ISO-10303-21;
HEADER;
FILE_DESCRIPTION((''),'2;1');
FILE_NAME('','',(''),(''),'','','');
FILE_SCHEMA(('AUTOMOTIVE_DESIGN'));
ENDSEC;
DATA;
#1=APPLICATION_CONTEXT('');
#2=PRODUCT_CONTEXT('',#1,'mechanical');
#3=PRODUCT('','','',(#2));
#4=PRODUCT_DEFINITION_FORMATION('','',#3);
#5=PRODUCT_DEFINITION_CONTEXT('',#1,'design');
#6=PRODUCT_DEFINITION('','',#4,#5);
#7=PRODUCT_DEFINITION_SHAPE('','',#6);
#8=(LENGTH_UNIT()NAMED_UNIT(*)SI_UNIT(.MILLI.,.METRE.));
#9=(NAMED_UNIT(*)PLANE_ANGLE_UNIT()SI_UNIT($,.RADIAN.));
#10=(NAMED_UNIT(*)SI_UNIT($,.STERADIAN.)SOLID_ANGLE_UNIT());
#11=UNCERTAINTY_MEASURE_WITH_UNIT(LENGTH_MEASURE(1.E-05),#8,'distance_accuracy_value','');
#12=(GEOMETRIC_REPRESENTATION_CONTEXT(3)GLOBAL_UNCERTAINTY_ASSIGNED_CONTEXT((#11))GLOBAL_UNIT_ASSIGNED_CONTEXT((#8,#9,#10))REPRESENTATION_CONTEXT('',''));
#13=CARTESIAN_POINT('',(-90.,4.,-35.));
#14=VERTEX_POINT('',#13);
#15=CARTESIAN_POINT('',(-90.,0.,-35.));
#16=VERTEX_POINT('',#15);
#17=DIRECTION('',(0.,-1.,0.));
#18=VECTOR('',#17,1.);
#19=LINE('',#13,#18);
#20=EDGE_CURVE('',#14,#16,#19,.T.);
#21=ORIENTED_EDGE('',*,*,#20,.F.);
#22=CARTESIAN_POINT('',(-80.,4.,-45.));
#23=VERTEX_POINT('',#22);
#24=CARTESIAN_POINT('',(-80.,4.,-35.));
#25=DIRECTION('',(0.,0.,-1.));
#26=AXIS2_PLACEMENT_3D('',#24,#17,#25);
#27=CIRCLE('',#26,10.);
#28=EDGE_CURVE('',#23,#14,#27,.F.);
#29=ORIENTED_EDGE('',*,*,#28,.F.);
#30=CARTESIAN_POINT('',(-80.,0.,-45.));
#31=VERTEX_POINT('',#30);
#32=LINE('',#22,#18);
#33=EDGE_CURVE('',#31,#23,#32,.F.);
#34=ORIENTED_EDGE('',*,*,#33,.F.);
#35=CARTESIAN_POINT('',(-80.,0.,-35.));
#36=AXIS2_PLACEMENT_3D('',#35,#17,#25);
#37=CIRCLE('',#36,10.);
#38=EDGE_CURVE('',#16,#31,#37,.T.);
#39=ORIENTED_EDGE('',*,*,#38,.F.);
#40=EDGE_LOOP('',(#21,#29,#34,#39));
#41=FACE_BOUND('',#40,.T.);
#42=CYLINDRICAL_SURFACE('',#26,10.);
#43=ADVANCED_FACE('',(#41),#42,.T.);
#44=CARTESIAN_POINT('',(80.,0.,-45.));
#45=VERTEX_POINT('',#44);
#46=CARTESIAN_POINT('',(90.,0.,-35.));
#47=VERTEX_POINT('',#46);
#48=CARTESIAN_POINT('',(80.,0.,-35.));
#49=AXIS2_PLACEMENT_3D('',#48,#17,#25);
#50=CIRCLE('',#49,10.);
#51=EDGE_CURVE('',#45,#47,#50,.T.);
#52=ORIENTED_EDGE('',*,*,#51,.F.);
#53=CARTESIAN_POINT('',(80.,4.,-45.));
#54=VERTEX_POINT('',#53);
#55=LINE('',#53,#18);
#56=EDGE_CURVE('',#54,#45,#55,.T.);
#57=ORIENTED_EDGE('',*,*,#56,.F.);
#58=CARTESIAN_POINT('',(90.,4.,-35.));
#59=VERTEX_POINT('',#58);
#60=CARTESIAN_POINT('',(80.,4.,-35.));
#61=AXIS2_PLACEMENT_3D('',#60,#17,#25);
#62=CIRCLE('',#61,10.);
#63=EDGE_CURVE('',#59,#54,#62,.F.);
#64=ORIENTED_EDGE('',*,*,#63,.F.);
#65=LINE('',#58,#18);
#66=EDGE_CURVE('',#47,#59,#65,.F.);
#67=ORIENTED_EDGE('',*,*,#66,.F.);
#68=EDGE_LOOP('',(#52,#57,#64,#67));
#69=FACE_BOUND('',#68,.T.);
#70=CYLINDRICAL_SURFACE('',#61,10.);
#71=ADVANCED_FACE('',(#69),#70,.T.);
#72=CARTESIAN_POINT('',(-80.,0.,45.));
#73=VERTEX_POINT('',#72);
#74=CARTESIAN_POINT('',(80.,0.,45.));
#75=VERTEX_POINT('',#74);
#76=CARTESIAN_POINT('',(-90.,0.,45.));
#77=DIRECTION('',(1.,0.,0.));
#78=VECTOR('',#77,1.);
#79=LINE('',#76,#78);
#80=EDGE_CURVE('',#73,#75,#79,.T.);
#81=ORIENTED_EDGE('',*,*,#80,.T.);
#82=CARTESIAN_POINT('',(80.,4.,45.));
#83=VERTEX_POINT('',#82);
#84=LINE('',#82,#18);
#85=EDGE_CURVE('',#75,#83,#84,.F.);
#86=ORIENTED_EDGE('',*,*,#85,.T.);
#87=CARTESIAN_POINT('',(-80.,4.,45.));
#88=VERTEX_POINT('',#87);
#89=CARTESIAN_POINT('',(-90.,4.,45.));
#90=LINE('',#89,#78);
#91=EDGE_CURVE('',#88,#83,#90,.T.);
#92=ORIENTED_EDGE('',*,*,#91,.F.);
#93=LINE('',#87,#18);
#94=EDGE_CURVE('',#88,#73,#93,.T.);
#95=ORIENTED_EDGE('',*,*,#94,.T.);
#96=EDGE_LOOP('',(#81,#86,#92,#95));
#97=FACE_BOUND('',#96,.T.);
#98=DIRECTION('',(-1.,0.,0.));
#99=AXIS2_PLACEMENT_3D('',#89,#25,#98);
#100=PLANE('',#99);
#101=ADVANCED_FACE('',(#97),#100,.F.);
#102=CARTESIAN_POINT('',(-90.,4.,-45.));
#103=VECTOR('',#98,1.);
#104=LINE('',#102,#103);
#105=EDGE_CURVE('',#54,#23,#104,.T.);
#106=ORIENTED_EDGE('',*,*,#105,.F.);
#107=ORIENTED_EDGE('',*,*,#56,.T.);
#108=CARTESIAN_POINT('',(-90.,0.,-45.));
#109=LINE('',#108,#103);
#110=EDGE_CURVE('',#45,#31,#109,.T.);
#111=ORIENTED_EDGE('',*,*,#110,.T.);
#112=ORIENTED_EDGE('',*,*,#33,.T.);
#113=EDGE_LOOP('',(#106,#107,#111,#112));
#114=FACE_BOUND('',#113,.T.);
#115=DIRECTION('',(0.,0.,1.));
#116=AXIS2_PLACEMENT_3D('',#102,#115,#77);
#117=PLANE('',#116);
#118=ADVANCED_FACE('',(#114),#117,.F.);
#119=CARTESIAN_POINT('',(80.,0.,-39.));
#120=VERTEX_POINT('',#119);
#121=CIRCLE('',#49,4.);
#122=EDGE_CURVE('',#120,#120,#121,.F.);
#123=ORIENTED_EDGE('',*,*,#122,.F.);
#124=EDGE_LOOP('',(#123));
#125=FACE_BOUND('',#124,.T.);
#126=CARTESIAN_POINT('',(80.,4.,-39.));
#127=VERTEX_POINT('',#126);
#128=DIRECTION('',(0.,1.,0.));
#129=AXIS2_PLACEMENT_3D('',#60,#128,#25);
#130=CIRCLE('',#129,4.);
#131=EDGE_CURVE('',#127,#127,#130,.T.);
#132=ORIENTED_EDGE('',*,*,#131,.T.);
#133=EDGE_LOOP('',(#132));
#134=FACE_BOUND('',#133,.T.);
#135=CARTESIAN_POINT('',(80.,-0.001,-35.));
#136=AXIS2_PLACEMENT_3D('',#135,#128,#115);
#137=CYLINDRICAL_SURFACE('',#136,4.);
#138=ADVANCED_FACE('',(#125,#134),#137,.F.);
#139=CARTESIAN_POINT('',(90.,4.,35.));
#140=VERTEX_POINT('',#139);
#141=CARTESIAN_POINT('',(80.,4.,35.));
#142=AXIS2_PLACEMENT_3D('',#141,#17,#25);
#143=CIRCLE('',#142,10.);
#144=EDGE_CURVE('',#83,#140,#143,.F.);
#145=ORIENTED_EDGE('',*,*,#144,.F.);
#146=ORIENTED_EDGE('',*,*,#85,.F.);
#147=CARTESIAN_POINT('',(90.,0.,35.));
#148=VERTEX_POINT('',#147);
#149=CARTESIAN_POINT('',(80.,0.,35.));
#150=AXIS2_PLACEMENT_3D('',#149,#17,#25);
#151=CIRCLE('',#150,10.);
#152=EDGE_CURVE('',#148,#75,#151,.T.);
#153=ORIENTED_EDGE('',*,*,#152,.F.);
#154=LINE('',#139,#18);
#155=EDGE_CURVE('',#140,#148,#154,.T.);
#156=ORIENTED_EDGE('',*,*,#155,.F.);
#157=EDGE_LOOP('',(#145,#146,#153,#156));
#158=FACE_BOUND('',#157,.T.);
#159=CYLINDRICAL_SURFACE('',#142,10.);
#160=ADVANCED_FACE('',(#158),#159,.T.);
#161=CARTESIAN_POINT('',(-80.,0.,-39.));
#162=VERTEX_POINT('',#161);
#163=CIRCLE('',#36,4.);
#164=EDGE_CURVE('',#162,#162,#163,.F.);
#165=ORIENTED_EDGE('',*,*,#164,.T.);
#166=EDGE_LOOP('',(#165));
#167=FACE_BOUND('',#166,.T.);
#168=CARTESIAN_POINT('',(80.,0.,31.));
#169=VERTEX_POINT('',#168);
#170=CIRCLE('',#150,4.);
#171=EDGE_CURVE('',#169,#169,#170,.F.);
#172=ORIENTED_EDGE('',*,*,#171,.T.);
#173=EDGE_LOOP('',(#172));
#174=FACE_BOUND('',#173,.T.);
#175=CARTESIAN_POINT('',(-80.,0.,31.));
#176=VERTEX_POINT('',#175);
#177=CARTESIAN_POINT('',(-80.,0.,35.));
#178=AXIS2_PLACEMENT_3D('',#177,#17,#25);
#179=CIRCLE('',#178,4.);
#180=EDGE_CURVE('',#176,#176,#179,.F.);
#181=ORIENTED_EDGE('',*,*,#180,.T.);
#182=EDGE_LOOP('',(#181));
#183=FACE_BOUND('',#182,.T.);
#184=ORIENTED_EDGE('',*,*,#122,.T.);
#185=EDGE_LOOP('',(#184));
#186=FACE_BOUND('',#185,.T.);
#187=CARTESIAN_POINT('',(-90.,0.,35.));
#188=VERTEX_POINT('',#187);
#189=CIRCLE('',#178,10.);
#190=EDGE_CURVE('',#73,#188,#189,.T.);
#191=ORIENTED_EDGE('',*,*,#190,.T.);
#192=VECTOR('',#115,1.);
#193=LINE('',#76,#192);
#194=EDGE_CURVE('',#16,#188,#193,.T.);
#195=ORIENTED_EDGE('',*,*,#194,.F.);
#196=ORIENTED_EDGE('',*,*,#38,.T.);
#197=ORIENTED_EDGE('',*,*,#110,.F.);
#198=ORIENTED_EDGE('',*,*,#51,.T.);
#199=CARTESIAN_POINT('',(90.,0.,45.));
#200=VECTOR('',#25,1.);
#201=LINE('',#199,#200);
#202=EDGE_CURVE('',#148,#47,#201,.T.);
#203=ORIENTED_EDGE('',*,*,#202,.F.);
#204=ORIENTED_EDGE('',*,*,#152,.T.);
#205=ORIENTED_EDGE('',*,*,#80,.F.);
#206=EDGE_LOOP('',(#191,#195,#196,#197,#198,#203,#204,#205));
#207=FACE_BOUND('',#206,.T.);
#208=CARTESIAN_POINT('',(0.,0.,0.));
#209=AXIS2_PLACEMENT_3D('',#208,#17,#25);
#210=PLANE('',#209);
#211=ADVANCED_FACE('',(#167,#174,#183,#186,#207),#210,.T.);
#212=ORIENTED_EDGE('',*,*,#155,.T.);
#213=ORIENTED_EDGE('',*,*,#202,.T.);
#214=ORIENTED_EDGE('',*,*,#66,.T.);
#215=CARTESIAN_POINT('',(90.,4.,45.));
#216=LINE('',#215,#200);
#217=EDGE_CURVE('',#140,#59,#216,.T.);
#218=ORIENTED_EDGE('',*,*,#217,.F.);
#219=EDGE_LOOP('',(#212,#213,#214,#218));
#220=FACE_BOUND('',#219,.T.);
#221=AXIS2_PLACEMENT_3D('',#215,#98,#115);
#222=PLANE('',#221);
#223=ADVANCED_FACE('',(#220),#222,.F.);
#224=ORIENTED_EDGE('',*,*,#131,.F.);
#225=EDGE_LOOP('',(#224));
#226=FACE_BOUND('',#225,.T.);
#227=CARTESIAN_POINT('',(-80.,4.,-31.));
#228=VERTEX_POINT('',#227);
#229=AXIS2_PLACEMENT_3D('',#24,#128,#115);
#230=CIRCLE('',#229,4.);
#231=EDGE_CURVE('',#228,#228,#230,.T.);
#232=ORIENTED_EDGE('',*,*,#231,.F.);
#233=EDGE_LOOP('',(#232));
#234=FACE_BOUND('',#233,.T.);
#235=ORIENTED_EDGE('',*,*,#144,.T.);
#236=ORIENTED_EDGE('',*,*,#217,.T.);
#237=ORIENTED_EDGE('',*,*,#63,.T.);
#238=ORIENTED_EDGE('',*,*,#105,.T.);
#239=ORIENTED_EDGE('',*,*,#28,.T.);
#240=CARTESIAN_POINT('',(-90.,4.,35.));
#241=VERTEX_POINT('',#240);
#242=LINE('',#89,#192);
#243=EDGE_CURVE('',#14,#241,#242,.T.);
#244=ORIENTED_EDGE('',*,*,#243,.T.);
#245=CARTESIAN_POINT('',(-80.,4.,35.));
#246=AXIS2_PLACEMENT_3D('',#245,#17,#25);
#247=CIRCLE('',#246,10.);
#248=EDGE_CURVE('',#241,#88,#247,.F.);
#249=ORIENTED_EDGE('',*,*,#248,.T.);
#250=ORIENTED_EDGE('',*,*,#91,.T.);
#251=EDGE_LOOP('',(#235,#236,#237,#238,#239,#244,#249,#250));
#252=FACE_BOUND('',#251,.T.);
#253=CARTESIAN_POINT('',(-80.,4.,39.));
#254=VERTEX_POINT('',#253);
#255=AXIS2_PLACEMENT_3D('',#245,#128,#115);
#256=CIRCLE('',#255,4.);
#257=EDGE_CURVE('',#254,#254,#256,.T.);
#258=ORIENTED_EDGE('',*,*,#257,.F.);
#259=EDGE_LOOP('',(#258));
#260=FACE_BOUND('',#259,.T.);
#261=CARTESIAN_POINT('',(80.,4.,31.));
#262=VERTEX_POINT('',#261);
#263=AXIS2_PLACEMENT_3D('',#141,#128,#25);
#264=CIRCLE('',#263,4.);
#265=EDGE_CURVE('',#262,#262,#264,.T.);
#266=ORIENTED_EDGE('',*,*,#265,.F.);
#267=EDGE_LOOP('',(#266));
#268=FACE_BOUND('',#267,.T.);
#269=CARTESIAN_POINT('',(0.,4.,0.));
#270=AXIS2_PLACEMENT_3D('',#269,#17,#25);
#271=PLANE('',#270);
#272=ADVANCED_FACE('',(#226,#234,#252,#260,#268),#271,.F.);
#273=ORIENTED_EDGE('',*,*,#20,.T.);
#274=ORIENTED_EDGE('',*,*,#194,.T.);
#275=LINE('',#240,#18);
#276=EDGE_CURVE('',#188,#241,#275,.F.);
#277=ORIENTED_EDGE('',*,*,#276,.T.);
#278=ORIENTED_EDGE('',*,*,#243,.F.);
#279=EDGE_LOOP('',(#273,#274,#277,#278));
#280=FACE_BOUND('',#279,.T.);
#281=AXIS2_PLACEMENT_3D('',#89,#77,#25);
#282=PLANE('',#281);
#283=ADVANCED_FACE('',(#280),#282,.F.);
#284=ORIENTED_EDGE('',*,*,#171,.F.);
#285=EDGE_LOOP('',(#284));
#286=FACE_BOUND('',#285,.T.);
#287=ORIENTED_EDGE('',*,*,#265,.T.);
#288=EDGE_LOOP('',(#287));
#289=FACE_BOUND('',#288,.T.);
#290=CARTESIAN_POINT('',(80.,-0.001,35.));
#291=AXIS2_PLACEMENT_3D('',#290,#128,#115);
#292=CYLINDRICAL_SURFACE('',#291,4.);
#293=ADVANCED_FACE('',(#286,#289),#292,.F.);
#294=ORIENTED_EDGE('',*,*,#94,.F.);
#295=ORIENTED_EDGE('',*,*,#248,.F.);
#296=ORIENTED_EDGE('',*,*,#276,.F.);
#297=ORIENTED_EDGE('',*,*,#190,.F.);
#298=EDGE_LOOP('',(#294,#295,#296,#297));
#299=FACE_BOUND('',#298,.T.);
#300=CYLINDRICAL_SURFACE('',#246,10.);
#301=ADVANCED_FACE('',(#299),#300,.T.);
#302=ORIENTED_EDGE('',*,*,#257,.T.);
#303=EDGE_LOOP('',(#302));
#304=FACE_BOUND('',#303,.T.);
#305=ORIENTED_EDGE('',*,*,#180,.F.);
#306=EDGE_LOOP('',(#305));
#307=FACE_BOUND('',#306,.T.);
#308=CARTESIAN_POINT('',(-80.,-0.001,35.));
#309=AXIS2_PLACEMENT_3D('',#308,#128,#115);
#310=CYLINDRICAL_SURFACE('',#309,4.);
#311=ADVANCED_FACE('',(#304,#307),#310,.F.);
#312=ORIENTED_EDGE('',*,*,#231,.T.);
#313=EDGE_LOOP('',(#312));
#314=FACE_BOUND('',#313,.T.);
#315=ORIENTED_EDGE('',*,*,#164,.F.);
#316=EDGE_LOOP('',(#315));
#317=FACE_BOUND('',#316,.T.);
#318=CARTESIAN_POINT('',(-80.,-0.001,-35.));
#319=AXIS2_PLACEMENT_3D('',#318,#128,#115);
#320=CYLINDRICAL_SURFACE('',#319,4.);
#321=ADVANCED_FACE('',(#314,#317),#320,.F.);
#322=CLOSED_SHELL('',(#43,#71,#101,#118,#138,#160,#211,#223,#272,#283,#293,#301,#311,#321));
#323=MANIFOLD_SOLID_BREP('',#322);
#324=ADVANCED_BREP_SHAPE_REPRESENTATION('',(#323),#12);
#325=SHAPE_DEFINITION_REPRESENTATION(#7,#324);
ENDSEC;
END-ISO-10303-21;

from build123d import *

# Parameters (mm, degrees)
CROQUIS2_W              = 180
CROQUIS2_H              = 90
SALIENTE_EXTRUIR1_DEPTH = 4
REDONDEO1_R             = 10
CORTAR_EXTRUIR2_REACH   = 102.703
CROQUIS4_R              = 4


with BuildPart() as part:
    # Croquis2 → Saliente-Extruir1 (new body)
    with BuildSketch(Plane(origin=(0, 0, 0), x_dir=(1, 0, 0), z_dir=(0, 1, 0))):
        Rectangle(CROQUIS2_W, CROQUIS2_H)
    extrude(amount=SALIENTE_EXTRUIR1_DEPTH)

    # Redondeo1
    redondeo1_edges = [part.edges().sort_by_distance(p)[0] for p in [
        (90, 2, 45),
        (-90, 2, 45),
        (-90, 2, -45),
        (90, 2, -45),
    ]]
    fillet(redondeo1_edges, radius=REDONDEO1_R)

    # Croquis4 → Cortar-Extruir2 (cut, up to next)
    with BuildSketch(Plane(origin=(0, 4, 0), x_dir=(1, 0, 0), z_dir=(0, 1, 0)), mode=Mode.PRIVATE) as cortar_extruir2_sk1:
        with Locations(Location((-80, 35, 0), (0, 0, 270))):
            Circle(CROQUIS4_R)
    cortar_extruir2_tool1 = extrude(cortar_extruir2_sk1.sketch, amount=-CORTAR_EXTRUIR2_REACH, mode=Mode.PRIVATE) & part.part
    # Croquis4 → Cortar-Extruir2 (cut, up to next)
    with BuildSketch(Plane(origin=(0, 4, 0), x_dir=(1, 0, 0), z_dir=(0, 1, 0)), mode=Mode.PRIVATE) as cortar_extruir2_sk2:
        with Locations(Location((-80, -35, 0), (0, 0, 270))):
            Circle(CROQUIS4_R)
    cortar_extruir2_tool2 = extrude(cortar_extruir2_sk2.sketch, amount=-CORTAR_EXTRUIR2_REACH, mode=Mode.PRIVATE) & part.part
    # Croquis4 → Cortar-Extruir2 (cut, up to next)
    with BuildSketch(Plane(origin=(0, 4, 0), x_dir=(1, 0, 0), z_dir=(0, 1, 0)), mode=Mode.PRIVATE) as cortar_extruir2_sk3:
        with Locations(Location((80, -35, 0), (0, 0, 90))):
            Circle(CROQUIS4_R)
    cortar_extruir2_tool3 = extrude(cortar_extruir2_sk3.sketch, amount=-CORTAR_EXTRUIR2_REACH, mode=Mode.PRIVATE) & part.part
    # Croquis4 → Cortar-Extruir2 (cut, up to next)
    with BuildSketch(Plane(origin=(0, 4, 0), x_dir=(1, 0, 0), z_dir=(0, 1, 0)), mode=Mode.PRIVATE) as cortar_extruir2_sk4:
        with Locations(Location((80, 35, 0), (0, 0, 90))):
            Circle(CROQUIS4_R)
    cortar_extruir2_tool4 = extrude(cortar_extruir2_sk4.sketch, amount=-CORTAR_EXTRUIR2_REACH, mode=Mode.PRIVATE) & part.part
    add(cortar_extruir2_tool1.solids().sort_by_distance((-80, 4, -35))[0], mode=Mode.SUBTRACT)
    add(cortar_extruir2_tool2.solids().sort_by_distance((-80, 4, 35))[0], mode=Mode.SUBTRACT)
    add(cortar_extruir2_tool3.solids().sort_by_distance((80, 4, 35))[0], mode=Mode.SUBTRACT)
    add(cortar_extruir2_tool4.solids().sort_by_distance((80, 4, -35))[0], mode=Mode.SUBTRACT)


solid = part.part
